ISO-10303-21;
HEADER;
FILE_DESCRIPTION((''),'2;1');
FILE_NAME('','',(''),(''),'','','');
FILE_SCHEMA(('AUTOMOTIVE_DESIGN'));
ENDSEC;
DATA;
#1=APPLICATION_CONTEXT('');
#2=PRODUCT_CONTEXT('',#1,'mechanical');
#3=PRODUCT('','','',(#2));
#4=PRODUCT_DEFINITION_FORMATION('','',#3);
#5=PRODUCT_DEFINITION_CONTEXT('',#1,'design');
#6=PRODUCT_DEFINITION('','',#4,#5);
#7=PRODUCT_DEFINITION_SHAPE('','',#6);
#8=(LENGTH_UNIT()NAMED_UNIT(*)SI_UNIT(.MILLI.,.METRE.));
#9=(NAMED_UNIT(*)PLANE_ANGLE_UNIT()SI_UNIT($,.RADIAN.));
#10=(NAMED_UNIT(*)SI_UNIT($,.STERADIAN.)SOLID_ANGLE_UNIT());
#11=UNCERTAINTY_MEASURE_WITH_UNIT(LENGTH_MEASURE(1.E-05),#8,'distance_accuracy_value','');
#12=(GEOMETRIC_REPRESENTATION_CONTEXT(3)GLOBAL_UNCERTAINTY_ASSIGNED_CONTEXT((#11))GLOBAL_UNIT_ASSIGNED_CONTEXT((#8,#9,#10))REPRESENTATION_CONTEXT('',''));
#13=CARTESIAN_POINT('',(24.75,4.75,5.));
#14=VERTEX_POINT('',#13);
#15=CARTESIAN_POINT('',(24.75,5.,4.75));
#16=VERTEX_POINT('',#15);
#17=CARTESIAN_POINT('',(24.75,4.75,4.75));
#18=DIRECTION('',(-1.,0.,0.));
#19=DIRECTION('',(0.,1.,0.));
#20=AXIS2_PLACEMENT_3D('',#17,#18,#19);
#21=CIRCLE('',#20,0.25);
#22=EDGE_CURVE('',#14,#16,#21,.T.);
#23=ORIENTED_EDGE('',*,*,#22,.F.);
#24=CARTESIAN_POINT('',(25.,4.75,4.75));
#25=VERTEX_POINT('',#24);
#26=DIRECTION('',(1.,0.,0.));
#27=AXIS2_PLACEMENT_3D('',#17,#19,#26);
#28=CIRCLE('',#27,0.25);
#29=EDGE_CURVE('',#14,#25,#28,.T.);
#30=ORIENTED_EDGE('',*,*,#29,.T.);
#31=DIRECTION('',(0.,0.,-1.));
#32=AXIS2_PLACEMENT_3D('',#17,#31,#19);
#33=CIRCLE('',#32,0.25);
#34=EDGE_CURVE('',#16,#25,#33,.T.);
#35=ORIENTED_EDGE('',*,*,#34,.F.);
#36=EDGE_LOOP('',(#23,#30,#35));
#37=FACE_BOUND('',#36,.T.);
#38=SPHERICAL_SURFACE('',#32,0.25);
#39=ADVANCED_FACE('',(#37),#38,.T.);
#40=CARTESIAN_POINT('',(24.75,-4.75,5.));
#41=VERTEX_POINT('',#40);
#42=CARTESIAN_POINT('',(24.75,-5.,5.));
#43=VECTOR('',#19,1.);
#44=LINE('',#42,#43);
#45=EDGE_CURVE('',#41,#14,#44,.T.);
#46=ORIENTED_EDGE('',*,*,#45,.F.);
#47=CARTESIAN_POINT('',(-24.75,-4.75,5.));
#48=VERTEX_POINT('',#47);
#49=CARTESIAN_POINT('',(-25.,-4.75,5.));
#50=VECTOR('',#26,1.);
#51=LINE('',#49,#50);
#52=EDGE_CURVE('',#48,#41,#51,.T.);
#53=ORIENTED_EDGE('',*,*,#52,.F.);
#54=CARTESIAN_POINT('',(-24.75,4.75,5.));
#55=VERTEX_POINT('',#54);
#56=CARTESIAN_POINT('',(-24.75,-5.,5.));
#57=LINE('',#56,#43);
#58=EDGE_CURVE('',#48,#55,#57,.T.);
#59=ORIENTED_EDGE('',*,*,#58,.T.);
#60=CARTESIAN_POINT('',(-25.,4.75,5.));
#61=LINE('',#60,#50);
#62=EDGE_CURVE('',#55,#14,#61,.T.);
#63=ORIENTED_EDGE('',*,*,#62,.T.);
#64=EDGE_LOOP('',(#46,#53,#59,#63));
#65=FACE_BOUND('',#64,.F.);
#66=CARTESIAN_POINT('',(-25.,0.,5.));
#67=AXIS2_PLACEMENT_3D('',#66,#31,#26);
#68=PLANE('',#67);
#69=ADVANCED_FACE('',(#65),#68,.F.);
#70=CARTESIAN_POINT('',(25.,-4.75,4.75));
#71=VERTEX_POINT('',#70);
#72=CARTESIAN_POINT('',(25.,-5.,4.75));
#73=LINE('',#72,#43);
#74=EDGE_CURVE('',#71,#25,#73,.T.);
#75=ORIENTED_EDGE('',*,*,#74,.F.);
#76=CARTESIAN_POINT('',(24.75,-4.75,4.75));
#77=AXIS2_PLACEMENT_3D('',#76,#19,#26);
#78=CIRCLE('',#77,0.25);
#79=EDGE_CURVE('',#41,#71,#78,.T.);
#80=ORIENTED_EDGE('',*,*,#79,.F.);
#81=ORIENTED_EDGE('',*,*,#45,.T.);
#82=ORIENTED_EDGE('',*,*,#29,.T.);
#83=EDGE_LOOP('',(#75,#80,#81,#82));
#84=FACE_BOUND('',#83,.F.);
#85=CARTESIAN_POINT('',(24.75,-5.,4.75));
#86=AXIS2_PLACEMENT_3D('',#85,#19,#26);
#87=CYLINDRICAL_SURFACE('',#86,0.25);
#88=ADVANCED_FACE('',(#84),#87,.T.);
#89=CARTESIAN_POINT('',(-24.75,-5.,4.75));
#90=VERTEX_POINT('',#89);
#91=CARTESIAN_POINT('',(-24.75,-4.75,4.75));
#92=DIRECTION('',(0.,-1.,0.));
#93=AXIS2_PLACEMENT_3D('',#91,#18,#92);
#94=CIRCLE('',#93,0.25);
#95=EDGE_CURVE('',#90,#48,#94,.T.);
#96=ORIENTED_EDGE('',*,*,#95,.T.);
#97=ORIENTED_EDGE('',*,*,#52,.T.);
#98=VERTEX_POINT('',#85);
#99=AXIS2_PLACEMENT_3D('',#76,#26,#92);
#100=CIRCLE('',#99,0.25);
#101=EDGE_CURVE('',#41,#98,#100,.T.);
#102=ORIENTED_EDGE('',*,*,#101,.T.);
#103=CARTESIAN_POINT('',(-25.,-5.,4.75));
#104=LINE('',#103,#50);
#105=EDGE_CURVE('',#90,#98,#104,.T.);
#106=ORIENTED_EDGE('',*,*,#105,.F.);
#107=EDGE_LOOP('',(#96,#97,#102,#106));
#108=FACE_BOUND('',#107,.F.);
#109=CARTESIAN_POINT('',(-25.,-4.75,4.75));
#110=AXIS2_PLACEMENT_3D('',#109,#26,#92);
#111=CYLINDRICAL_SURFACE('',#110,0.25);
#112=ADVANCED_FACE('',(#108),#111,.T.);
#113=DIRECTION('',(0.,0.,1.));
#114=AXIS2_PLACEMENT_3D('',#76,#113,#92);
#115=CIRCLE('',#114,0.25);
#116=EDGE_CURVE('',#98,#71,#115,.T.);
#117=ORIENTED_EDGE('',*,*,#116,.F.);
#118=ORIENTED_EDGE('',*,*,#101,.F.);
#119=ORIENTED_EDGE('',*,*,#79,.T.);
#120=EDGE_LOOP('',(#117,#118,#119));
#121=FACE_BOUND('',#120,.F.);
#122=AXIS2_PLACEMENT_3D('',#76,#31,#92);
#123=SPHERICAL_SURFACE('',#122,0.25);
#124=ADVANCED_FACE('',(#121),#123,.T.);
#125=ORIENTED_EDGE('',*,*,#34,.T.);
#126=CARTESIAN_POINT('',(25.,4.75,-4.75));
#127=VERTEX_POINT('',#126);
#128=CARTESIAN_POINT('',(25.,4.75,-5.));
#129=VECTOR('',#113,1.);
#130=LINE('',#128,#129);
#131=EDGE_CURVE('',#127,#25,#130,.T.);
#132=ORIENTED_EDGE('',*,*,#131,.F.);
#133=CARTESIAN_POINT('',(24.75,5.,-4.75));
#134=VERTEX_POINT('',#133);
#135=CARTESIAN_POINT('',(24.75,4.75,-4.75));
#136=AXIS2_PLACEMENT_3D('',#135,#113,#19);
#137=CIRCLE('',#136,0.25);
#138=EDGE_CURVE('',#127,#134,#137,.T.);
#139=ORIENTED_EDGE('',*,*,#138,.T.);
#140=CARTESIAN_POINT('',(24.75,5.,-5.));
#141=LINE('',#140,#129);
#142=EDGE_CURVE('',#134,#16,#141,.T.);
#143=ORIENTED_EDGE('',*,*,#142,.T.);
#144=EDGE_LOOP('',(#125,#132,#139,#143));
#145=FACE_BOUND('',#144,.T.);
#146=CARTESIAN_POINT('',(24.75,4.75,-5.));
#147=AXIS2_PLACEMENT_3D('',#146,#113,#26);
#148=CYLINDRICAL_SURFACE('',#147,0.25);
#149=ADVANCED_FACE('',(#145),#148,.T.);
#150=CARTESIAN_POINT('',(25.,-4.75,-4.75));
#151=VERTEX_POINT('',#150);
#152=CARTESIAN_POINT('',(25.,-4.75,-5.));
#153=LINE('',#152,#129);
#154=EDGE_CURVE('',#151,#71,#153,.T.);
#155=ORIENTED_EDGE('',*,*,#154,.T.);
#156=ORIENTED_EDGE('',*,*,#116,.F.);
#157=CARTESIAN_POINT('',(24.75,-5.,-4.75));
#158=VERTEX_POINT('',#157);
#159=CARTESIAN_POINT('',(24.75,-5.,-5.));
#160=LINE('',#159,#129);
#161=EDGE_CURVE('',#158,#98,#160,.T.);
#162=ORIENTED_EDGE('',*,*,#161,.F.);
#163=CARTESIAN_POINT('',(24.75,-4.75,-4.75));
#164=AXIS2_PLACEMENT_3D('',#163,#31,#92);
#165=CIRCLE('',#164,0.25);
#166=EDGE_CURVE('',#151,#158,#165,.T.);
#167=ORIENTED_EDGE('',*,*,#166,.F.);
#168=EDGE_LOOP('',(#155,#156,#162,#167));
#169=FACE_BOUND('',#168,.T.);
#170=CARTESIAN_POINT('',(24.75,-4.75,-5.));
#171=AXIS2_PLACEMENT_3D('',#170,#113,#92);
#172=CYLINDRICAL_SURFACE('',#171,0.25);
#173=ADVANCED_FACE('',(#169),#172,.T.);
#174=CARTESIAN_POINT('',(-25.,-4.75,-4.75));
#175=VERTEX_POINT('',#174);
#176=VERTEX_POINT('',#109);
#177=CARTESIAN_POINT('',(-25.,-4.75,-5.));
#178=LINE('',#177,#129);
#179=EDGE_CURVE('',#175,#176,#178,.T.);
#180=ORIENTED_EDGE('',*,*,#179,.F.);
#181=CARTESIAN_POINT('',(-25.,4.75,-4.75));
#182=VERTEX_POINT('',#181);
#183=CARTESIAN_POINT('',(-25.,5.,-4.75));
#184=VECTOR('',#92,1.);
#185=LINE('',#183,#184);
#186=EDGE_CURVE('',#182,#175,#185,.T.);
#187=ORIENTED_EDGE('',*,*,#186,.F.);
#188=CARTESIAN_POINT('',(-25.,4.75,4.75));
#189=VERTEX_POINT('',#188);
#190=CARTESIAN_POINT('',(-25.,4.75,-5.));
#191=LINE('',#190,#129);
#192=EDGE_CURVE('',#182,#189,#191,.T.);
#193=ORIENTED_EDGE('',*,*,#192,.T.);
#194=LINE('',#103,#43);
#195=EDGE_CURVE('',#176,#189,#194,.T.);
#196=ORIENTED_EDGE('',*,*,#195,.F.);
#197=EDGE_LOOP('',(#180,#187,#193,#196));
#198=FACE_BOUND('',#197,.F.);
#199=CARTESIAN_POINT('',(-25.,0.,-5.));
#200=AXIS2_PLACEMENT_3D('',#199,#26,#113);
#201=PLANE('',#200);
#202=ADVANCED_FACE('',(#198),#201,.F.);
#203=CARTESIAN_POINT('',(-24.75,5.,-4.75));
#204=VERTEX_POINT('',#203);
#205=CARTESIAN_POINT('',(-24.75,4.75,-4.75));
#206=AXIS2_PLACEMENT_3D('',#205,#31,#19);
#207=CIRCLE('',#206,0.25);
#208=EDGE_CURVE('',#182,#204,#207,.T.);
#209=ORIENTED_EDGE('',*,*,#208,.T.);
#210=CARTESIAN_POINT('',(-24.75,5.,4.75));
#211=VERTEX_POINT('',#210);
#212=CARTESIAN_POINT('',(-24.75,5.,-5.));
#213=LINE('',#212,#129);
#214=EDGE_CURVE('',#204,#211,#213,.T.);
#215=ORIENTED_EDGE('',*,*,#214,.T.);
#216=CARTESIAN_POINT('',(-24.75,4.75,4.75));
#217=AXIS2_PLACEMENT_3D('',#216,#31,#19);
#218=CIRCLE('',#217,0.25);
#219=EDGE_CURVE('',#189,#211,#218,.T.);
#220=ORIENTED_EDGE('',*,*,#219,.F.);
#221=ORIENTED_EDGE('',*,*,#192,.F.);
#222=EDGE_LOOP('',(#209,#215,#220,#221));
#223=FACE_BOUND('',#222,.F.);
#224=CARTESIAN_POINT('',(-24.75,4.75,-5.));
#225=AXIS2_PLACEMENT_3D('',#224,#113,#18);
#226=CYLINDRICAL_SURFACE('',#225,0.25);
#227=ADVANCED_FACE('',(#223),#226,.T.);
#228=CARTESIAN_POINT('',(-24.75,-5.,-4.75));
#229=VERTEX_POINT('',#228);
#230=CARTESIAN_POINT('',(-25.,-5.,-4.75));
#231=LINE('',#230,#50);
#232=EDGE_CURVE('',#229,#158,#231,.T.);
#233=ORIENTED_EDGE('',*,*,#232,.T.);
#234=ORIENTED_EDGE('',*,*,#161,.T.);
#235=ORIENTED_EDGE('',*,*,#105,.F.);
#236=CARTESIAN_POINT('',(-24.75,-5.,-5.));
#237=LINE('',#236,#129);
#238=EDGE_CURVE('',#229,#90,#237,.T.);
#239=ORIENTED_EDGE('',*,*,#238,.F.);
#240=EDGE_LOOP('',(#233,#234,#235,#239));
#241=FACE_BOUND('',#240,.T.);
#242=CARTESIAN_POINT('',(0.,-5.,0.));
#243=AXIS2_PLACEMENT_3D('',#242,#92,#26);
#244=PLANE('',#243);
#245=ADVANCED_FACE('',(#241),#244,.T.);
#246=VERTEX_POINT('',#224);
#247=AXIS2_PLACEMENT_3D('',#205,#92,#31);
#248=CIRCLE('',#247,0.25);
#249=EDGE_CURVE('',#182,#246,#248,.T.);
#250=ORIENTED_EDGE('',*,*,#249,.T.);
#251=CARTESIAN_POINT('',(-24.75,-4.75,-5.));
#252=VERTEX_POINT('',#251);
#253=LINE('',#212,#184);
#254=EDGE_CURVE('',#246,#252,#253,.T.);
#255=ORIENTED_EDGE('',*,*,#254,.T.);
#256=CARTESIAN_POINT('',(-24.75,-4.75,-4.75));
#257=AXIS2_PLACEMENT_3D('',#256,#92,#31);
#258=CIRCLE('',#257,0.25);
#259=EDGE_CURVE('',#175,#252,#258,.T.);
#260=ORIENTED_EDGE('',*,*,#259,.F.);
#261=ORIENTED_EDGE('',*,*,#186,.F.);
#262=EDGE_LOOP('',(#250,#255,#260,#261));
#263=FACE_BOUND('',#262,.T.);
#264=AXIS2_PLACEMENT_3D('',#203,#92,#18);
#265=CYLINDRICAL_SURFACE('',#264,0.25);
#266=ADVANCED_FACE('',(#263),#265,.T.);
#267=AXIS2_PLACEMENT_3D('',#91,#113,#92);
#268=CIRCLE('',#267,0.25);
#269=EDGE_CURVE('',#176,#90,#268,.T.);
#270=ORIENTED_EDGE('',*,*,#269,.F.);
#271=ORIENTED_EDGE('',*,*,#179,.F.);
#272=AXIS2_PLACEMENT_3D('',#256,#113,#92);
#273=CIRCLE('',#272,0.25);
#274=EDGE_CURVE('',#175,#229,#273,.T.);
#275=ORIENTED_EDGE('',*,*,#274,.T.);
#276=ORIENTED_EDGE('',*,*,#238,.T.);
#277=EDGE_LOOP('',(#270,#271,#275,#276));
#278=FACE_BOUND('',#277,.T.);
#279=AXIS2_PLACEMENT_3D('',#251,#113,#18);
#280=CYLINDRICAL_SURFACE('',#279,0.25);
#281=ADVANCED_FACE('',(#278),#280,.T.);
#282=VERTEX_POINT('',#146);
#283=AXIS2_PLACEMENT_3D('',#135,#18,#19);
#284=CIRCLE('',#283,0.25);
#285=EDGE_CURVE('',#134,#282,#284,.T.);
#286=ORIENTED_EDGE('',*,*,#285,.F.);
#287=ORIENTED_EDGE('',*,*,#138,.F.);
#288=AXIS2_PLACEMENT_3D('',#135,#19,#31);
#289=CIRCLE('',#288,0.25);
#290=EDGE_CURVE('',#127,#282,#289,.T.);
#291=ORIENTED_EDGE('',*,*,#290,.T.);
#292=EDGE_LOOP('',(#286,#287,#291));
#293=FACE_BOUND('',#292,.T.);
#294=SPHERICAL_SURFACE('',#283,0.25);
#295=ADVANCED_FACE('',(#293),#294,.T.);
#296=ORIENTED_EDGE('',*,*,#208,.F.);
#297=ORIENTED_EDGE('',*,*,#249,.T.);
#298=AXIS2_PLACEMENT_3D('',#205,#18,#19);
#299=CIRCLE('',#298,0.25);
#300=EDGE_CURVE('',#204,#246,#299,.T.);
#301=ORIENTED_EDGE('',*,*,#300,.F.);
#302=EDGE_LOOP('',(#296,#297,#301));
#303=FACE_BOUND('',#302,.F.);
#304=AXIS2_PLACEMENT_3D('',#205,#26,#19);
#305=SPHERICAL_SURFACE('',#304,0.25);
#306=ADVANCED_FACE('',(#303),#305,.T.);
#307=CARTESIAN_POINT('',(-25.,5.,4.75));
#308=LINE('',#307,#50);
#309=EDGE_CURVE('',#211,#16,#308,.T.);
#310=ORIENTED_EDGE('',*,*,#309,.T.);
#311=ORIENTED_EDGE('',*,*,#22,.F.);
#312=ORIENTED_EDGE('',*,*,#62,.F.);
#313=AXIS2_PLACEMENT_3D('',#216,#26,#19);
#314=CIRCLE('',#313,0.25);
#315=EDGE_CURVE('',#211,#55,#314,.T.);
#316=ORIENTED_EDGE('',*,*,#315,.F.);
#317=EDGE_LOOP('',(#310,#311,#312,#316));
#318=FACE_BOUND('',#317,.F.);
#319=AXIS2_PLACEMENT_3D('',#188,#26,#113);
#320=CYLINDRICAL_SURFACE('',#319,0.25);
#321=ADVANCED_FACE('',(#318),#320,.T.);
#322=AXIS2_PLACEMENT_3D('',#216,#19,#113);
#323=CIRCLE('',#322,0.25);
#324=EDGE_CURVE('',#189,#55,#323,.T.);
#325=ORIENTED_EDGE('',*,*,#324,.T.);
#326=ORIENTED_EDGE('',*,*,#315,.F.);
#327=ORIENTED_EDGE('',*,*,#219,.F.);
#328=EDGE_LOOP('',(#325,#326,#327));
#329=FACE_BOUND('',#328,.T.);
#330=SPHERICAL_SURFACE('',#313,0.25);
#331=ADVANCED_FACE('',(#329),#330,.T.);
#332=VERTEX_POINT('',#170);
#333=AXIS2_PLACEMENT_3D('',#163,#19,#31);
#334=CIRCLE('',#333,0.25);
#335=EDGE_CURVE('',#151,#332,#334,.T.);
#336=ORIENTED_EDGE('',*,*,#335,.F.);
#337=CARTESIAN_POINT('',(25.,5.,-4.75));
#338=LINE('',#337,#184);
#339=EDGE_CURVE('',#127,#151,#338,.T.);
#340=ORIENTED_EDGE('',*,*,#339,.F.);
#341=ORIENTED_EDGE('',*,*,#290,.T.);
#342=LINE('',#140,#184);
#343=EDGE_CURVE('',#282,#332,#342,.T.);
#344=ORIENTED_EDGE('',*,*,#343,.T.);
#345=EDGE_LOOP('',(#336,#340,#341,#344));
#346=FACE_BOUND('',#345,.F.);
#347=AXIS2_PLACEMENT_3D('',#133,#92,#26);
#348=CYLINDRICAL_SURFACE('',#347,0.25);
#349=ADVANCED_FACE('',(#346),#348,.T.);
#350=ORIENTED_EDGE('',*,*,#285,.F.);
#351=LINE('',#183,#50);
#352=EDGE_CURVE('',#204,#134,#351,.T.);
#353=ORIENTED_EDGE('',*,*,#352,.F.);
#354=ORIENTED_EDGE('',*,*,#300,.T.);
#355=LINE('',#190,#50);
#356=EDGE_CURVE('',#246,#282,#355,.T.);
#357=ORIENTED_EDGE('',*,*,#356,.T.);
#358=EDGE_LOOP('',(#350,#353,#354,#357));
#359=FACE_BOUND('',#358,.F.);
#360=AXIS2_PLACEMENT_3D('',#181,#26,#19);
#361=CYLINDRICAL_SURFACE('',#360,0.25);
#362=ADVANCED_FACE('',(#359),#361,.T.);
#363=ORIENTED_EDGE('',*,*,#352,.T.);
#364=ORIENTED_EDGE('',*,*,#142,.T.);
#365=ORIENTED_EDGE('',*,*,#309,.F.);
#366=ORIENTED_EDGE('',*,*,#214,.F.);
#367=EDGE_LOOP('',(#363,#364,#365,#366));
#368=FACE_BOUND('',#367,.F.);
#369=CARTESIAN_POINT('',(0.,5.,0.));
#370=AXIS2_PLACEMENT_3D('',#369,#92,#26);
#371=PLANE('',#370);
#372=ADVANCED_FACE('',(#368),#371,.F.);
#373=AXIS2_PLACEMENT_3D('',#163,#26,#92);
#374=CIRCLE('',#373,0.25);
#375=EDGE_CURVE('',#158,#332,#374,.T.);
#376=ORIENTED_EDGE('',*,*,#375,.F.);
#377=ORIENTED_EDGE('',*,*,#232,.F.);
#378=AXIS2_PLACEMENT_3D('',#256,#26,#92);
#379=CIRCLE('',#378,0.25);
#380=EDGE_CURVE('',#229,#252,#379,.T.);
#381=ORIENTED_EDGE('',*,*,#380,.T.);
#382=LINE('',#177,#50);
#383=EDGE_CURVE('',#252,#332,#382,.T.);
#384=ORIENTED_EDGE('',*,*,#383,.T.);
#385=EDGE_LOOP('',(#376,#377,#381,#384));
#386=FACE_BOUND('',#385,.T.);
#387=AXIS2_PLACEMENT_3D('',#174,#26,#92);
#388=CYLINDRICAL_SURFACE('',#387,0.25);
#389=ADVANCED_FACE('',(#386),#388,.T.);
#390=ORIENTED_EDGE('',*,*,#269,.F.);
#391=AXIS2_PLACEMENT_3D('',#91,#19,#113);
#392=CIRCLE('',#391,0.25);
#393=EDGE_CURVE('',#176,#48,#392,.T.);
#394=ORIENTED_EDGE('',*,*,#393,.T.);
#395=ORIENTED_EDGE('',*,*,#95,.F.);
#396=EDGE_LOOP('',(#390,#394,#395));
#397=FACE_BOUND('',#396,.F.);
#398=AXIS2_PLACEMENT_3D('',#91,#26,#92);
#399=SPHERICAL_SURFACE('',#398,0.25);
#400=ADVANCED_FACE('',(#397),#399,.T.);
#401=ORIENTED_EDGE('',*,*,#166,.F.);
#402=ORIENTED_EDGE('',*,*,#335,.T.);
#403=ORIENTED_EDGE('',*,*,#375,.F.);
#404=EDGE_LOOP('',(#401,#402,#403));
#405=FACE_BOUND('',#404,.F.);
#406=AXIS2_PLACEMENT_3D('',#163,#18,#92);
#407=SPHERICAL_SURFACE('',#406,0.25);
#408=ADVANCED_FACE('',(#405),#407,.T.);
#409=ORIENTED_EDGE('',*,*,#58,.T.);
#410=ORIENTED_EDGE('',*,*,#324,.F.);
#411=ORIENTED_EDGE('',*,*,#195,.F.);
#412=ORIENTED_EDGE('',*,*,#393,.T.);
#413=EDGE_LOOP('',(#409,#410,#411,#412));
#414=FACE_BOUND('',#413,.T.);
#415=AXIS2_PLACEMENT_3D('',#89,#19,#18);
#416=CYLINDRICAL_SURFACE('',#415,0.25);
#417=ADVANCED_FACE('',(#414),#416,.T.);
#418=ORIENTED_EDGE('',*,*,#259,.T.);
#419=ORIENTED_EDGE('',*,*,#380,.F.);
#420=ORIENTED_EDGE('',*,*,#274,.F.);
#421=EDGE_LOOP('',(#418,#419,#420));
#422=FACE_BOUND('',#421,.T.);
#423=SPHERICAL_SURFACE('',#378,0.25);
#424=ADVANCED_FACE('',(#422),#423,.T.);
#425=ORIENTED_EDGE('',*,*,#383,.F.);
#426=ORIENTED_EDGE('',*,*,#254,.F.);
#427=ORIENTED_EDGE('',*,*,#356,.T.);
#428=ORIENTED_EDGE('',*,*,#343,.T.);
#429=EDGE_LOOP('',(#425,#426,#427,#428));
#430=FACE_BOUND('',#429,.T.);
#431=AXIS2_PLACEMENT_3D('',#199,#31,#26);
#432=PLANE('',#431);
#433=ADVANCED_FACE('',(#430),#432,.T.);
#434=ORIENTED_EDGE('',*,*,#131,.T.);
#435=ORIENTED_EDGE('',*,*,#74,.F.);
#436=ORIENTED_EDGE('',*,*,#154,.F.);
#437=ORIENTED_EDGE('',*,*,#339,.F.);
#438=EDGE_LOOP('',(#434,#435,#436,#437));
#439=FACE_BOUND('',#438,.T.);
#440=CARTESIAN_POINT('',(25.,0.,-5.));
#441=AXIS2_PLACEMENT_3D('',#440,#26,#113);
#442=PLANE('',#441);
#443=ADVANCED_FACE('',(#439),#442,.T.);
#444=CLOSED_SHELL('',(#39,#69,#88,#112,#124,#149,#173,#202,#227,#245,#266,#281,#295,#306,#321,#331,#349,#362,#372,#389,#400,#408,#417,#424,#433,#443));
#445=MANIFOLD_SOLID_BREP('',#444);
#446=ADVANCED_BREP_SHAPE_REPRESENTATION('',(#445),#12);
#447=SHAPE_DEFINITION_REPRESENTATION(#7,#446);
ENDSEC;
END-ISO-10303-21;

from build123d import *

# Parameters (mm, degrees)
F0_W          = 50
F0_H          = 10
F1_DEPTH      = 5
F1_DEPTH_BACK = 5
F2_R          = 0.25


with BuildPart() as f1:
    # F0 (on Front) → F1 (new body, two sides)
    with BuildSketch(Plane.XZ) as f1_sk:
        Rectangle(F0_W, F0_H)
    extrude(amount=F1_DEPTH)
    extrude(f1_sk.sketch, amount=-F1_DEPTH_BACK)

    # F2
    f2_edges = [f1.edges().sort_by_distance(p)[0] for p in [
        (0, -5, -5),
        (25, -5, 0),
        (0, -5, 5),
        (-25, -5, 0),
        (0, 5, -5),
        (25, 5, 0),
        (0, 5, 5),
        (-25, 5, 0),
        (25, 0, 5),
        (25, 0, -5),
        (-25, 0, 5),
        (-25, 0, -5),
    ]]
    fillet(f2_edges, radius=F2_R)


solid = f1.part
